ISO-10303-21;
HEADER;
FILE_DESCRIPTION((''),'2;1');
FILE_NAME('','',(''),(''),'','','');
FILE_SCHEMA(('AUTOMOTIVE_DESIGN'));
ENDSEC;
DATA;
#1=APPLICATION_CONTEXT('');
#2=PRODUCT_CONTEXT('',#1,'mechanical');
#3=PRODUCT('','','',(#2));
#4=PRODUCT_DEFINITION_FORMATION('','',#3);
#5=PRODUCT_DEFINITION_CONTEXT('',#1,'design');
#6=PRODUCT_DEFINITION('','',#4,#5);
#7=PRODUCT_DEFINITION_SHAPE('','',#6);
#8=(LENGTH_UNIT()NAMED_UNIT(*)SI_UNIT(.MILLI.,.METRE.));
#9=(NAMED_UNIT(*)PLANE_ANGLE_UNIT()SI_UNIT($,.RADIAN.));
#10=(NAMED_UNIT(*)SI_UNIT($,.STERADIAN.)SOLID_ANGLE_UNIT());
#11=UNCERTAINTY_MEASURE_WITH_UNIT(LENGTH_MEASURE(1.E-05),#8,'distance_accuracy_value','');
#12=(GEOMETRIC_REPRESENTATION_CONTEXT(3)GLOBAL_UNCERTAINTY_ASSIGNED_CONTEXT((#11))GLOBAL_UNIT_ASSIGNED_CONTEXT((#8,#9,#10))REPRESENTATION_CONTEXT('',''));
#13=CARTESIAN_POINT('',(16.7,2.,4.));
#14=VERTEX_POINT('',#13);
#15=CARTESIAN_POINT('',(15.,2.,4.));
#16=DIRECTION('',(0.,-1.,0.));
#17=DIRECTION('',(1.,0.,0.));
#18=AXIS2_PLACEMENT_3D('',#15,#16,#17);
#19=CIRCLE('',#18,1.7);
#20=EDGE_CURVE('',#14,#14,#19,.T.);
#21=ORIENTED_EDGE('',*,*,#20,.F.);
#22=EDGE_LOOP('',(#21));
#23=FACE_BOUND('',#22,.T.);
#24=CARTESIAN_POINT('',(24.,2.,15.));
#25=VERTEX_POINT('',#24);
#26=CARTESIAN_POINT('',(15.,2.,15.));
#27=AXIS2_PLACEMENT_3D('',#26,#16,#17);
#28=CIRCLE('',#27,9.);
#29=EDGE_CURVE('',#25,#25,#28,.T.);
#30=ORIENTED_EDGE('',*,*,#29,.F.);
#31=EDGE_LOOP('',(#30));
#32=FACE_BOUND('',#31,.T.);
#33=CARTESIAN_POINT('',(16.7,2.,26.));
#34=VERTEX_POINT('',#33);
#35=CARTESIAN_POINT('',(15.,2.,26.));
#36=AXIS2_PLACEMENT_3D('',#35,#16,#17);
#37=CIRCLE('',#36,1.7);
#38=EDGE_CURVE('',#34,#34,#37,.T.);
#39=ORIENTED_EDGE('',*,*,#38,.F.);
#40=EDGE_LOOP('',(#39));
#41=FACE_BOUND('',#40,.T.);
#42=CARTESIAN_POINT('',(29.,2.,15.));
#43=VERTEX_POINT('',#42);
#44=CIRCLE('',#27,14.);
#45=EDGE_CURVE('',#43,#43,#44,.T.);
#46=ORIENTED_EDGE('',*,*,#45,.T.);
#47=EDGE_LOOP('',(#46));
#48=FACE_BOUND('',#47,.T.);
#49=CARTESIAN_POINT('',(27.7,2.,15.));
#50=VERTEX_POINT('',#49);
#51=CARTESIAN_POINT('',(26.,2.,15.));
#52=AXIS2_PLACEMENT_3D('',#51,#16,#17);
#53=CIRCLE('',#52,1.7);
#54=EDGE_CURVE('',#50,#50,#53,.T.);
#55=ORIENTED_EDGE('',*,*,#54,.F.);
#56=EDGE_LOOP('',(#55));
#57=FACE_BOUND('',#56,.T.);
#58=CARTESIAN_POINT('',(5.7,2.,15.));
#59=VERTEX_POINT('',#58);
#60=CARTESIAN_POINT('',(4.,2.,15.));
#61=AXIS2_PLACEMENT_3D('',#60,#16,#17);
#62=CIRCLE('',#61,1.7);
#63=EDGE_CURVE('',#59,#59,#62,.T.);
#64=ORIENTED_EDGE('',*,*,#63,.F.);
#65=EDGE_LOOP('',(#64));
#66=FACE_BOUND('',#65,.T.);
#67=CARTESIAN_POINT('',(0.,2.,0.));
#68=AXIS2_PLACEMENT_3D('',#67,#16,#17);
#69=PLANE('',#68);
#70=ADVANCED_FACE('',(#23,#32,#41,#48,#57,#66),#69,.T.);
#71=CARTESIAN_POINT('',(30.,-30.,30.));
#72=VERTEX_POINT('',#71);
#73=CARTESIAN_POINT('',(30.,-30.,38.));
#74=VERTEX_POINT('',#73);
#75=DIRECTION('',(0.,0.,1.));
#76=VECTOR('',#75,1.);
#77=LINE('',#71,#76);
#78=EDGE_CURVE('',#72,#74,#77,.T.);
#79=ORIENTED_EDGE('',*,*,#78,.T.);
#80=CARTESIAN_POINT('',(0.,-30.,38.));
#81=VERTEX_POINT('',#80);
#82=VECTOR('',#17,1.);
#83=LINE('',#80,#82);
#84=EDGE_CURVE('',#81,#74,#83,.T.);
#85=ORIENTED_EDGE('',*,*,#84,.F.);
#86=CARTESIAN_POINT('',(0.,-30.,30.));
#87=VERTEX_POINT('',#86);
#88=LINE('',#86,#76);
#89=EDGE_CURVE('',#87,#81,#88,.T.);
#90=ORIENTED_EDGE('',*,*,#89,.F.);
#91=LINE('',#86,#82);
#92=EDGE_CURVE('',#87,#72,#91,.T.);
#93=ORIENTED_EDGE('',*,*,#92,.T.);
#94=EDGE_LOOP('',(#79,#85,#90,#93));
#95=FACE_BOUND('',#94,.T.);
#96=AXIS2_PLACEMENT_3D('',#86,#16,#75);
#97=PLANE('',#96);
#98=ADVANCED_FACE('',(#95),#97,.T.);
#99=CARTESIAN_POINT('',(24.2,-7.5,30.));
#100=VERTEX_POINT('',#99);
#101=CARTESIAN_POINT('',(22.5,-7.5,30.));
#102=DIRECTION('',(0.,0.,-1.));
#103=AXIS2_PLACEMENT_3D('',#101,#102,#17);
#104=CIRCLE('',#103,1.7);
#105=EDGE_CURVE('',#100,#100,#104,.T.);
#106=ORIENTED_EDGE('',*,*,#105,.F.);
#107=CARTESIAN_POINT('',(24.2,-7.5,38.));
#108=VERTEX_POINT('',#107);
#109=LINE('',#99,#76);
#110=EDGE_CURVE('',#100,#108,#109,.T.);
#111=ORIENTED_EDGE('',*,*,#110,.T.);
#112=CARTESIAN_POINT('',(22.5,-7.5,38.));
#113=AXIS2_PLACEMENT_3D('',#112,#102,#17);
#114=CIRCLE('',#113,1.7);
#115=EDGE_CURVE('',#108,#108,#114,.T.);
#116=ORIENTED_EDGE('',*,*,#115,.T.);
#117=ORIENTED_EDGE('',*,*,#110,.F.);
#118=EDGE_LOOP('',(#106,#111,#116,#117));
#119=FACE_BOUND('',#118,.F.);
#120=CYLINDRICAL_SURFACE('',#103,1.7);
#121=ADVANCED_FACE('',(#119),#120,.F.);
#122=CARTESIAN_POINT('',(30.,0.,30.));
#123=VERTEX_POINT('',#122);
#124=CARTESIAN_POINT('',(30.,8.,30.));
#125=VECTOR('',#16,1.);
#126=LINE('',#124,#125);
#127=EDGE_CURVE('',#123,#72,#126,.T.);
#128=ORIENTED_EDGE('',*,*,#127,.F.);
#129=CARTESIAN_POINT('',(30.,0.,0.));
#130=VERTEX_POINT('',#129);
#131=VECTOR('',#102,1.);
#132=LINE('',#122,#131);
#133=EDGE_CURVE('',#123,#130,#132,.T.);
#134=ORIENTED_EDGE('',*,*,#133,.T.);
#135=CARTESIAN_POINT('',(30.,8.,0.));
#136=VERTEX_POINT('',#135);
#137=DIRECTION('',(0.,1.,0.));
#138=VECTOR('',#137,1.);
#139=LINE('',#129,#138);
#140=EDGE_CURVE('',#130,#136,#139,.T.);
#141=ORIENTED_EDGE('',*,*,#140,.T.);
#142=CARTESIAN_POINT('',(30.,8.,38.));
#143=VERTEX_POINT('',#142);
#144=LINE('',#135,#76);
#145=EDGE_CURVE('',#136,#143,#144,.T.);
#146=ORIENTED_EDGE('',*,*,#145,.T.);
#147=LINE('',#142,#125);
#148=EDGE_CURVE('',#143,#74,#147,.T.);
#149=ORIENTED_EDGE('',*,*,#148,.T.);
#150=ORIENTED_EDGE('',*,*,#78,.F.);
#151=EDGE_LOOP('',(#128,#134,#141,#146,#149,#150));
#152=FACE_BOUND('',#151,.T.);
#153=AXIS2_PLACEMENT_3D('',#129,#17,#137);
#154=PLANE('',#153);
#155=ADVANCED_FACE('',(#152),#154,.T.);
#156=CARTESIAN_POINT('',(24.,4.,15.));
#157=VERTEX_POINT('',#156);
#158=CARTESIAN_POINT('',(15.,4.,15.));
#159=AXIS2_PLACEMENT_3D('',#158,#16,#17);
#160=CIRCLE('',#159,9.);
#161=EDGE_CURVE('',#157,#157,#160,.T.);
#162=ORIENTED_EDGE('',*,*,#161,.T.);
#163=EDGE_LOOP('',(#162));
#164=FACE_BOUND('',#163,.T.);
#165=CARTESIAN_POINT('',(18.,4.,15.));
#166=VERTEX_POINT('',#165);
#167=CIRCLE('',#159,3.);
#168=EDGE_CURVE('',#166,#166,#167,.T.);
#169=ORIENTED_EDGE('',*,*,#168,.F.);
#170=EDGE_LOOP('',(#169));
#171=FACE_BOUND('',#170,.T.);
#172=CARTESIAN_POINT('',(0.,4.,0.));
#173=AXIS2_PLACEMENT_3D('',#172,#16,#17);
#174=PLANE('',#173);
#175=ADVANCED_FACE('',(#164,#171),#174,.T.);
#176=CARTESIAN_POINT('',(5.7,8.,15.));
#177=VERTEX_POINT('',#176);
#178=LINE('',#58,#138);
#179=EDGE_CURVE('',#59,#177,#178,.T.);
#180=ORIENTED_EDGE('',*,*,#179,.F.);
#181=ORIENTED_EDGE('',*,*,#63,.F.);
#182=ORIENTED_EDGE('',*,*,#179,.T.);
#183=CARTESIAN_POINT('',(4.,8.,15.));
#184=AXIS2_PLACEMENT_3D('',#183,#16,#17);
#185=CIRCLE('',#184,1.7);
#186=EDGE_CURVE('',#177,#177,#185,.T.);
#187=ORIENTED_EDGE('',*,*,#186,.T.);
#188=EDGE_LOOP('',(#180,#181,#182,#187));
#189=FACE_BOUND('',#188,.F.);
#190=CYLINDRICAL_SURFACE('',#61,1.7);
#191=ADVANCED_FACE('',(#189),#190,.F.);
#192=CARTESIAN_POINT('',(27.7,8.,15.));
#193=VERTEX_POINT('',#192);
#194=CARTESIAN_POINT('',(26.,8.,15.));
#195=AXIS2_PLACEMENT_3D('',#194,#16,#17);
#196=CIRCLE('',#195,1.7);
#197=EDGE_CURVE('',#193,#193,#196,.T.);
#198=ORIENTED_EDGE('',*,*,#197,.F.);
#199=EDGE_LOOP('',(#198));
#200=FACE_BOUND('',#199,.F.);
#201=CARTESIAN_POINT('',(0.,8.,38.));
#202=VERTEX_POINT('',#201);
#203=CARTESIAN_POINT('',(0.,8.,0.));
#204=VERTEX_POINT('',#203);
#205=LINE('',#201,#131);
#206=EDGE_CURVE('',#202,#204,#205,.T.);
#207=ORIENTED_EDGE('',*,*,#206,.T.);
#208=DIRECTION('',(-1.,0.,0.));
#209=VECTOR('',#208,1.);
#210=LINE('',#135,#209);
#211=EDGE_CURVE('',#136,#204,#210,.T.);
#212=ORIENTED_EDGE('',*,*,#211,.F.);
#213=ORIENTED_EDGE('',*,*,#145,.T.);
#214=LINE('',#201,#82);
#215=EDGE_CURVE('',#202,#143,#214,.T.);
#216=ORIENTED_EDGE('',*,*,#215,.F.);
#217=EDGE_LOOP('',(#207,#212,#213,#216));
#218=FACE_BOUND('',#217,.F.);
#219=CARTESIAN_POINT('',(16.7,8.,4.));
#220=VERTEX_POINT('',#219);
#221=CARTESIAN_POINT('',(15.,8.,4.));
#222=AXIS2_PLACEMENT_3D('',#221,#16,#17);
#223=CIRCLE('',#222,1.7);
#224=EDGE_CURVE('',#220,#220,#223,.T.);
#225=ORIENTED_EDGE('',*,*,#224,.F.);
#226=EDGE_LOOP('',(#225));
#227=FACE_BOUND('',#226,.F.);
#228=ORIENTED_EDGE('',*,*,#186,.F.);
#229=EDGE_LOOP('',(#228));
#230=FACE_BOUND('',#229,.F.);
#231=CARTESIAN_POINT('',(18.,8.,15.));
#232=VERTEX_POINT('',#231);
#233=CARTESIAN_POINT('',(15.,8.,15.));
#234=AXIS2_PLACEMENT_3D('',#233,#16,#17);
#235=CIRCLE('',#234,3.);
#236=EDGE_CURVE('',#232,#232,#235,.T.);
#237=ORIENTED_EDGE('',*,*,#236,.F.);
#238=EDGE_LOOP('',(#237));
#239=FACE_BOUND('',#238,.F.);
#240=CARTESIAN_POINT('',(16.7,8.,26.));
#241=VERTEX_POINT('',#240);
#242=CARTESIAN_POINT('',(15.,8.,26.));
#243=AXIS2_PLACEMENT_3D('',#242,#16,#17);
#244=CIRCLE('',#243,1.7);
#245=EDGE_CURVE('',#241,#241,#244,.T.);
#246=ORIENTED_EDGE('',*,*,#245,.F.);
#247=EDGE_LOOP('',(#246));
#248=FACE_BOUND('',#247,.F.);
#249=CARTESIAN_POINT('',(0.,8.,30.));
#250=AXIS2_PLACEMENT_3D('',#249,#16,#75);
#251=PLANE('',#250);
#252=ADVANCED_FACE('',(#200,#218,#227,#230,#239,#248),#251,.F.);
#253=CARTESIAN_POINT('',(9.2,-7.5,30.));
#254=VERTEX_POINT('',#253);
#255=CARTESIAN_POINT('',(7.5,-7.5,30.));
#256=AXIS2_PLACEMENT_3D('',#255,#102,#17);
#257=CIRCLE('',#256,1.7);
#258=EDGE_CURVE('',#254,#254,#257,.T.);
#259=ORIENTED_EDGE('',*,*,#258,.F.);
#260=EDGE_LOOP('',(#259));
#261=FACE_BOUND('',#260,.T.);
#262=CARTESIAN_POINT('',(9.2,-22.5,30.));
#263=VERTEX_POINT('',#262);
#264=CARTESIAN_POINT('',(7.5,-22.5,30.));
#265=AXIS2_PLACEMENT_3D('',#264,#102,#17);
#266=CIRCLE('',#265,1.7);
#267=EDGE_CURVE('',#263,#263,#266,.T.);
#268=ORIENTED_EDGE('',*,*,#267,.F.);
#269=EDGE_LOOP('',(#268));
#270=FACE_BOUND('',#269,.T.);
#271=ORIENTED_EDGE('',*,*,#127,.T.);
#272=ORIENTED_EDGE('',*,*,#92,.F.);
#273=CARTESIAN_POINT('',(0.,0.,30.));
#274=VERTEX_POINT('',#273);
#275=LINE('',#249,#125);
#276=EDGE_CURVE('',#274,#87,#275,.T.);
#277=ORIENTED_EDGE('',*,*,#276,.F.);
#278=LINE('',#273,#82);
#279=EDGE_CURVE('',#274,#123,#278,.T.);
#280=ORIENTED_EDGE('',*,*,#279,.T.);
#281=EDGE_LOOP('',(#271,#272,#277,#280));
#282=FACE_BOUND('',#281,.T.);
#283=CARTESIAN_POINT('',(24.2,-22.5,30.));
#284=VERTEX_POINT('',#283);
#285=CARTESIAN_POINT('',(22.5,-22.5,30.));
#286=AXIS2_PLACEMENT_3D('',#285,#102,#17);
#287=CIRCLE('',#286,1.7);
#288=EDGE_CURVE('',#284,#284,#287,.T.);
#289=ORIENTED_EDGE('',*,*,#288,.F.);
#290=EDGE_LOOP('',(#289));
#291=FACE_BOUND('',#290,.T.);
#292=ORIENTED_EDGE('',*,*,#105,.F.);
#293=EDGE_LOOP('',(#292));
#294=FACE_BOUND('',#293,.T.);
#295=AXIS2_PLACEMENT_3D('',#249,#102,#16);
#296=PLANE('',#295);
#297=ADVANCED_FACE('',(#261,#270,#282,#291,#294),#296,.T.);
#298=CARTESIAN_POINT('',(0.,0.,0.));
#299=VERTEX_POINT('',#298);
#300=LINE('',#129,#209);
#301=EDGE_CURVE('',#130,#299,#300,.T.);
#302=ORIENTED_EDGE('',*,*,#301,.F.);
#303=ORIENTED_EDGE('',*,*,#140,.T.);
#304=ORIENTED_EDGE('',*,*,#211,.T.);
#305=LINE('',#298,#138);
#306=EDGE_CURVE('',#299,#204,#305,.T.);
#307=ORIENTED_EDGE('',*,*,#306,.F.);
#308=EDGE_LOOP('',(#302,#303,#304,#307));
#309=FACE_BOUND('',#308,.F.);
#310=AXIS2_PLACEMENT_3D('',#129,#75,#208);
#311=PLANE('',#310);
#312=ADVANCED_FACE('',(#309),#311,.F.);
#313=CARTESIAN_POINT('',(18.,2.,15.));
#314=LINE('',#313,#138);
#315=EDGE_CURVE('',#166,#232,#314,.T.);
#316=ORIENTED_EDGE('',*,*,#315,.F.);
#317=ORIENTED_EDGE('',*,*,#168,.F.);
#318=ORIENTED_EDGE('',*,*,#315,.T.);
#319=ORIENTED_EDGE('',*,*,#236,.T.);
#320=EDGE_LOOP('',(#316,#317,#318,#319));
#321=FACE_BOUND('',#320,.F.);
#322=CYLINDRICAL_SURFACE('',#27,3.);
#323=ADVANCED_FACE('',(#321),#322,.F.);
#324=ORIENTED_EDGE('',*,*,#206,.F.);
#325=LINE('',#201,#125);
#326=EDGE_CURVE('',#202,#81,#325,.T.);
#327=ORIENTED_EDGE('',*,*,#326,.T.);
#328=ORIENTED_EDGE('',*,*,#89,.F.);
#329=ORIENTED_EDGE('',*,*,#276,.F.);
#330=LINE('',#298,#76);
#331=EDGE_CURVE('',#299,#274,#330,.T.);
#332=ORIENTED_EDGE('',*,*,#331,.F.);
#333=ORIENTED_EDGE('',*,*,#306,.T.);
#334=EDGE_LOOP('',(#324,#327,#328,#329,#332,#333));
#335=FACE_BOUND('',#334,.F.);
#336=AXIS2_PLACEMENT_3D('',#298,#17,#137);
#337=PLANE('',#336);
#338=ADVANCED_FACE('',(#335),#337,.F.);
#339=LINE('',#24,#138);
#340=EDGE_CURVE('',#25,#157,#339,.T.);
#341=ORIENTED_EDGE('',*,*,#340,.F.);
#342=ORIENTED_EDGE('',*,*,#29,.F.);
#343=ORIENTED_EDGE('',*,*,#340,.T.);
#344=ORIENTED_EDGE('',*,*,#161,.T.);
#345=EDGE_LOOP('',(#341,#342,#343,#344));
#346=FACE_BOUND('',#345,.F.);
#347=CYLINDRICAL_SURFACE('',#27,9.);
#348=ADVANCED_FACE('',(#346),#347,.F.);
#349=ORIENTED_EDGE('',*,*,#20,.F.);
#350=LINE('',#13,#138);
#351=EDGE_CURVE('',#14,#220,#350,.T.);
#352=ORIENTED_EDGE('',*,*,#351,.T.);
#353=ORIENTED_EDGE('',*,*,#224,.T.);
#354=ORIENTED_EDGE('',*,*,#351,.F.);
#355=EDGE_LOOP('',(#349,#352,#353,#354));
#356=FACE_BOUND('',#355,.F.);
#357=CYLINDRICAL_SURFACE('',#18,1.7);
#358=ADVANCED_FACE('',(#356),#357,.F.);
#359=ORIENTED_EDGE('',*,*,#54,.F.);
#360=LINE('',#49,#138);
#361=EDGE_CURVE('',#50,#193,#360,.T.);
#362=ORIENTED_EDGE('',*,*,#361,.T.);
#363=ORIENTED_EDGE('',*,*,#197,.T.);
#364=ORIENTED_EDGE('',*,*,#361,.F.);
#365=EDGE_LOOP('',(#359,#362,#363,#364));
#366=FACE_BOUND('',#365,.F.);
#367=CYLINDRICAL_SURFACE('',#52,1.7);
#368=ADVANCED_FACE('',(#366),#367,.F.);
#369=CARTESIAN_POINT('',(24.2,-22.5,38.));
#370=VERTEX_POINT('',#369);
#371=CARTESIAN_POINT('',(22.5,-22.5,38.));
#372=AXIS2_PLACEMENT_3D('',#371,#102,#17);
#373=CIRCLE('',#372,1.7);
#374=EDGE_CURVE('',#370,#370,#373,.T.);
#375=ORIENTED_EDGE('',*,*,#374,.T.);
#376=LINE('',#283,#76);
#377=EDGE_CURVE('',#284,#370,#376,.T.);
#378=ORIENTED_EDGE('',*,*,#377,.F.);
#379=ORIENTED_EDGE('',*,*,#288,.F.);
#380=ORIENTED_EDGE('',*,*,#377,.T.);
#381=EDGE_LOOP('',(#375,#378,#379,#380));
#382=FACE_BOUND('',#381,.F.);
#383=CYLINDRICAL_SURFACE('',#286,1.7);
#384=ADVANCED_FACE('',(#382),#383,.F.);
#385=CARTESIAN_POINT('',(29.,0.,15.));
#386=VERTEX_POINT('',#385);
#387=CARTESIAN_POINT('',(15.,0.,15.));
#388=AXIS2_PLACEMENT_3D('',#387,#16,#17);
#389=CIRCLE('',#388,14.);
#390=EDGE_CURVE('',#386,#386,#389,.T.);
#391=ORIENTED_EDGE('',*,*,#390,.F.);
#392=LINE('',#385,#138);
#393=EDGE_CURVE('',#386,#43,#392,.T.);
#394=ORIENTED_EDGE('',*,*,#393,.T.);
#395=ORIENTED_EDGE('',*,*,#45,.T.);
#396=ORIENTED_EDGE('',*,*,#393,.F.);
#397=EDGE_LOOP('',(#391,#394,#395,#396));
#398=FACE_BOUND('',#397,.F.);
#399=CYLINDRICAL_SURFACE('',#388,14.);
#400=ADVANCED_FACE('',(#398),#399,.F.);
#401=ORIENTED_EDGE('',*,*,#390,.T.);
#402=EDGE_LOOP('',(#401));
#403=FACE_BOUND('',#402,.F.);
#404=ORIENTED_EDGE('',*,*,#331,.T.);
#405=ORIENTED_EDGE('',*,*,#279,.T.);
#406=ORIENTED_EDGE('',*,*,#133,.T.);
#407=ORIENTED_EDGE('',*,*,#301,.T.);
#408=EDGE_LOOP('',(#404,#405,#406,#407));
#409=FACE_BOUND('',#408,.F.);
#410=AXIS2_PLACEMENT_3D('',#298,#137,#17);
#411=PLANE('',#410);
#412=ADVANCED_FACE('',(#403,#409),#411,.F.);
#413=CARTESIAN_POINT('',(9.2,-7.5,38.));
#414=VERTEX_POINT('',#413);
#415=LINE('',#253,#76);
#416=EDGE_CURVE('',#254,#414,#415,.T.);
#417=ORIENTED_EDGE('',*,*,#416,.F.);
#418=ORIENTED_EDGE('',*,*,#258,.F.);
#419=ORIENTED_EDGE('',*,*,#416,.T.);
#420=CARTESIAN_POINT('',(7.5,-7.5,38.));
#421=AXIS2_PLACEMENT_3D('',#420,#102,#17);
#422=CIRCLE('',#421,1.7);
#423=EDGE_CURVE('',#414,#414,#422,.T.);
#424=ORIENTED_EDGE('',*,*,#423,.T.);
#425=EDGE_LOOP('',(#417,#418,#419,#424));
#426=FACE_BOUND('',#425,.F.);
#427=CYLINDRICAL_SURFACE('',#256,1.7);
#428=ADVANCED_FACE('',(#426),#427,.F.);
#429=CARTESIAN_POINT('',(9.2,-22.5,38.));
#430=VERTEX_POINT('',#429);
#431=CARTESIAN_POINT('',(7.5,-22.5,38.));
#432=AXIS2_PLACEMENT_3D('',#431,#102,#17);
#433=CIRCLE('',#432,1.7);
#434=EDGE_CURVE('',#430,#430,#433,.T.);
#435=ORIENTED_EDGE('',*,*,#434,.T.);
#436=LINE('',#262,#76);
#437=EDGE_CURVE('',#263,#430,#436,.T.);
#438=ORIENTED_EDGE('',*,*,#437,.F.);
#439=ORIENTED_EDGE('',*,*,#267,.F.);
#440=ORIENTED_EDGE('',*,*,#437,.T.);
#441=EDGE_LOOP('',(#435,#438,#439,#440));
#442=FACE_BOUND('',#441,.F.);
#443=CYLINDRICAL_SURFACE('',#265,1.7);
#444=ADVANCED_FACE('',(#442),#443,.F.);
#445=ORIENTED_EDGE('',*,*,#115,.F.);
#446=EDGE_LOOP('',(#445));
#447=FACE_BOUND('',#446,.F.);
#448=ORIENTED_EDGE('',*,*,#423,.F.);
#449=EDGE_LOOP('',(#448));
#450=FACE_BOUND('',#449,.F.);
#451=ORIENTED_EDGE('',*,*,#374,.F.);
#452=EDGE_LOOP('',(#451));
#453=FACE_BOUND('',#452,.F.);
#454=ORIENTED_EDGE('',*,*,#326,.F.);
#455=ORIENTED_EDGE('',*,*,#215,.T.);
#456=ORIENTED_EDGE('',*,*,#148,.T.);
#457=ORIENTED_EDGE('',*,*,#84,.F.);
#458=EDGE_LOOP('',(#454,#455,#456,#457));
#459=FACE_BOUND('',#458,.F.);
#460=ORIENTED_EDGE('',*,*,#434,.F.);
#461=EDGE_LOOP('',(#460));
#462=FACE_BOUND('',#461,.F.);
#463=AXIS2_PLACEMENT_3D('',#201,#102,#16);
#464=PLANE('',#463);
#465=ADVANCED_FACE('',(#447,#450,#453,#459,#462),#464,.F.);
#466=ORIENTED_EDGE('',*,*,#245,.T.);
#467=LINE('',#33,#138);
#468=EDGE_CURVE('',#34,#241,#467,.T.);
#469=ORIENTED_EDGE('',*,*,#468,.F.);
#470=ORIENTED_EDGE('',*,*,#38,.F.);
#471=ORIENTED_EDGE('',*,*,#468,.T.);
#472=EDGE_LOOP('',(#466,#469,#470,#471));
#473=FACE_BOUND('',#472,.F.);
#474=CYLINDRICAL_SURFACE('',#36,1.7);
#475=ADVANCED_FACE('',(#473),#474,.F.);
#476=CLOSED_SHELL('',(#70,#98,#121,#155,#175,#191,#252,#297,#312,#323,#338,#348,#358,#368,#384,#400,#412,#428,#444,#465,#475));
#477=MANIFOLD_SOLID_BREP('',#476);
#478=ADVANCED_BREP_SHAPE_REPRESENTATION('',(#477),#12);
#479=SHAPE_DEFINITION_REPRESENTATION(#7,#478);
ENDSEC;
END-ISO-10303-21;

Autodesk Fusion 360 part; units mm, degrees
sketch "Sketch1" plane through (0, 0, 0) normal (0, 1, 0) x (1, 0, 0)
  line L0 (0, 0) -> (0, -30)
  line L1 (0, -30) -> (30, -30)
  line L2 (30, -30) -> (30, 0)
  line L3 (30, 0) -> (0, 0)
  dimension "d1" = 30
  dimension "d2" = 30
extrude "Extrude1" add sketch "Sketch1" along normal blind 8
sketch "Sketch2" plane through (0, 0, 0) normal (0, -1, 0) x (1, 0, 0)
  line L0 (0, 0) -> (30, 0)
  line L1 (30, 0) -> (30, 30)
  line L2 (30, 30) -> (0, 30)
  line L3 (0, 30) -> (0, 0)
  circle A0 centre (15, 15) radius 14
  dimension "d5" = 28
extrude "Extrude2" cut sketch "Sketch2" along normal blind 2 and the other way blind 2 contours A0
sketch "Sketch4" plane through (0, 2, 0) normal (0, -1, 0) x (1, 0, 0)
  circle A0 centre (15, 15) radius 3
  dimension "d10" = 6
extrude "Extrude3" cut sketch "Sketch4" against normal blind 6
sketch "Sketch7" plane through (0, 0, 0) normal (1, 0, 0) x (0, 1, 0)
  line L0 (8, 30) -> (8, 38)
  line L1 (8, 38) -> (-30, 38)
  line L2 (8, 30) -> (-30, 30)
  line L3 (-30, 30) -> (-30, 38)
  dimension "d40" = 8
  dimension "d41" = 38
sketch "Sketch8" plane through (0, 2, 0) normal (0, -1, 0) x (1, 0, 0)
  circle A0 centre (15, 15) radius 3
  circle A1 centre (15, 15) radius 14
sketch "Sketch10" plane through (0, 2, 0) normal (0, -1, 0) x (1, 0, 0)
  circle A0 centre (15, 4) radius 1.7
  circle A1 centre (15, 26) radius 1.7
  circle A2 centre (4, 15) radius 1.7
  circle A3 centre (26, 15) radius 1.7
  dimension "d31" = 3.4
  dimension "d32" = 3.4
  dimension "d33" = 3.4
  dimension "d34" = 3.4
extrude "Extrude5" cut sketch "Sketch10" against normal blind 6
sketch "Sketch11" plane through (0, 2, 0) normal (0, -1, 0) x (1, 0, 0)
  circle A0 centre (15, 15) radius 9
  dimension "d37" = 18
extrude "Extrude6" cut sketch "Sketch11" against normal blind 2
extrude "Extrude7" add sketch "Sketch7" along normal blind 30
sketch "Sketch14" plane through (0, 0, 30) normal (0, 0, -1) x (1, 0, 0)
  line L0 (0, 0) -> (30, 0)
  line L1 (30, 0) -> (30, 30)
  line L2 (30, 30) -> (0, 30)
  line L3 (0, 30) -> (0, 0)
  circle A0 centre (7.5, 7.5) radius 1.7
  circle A1 centre (22.5, 7.5) radius 1.7
  circle A2 centre (7.5, 22.5) radius 1.7
  circle A3 centre (22.5, 22.5) radius 1.7
  dimension "d46" = 3.4
  dimension "d47" = 3.4
  dimension "d48" = 3.4
  dimension "d49" = 3.4
extrude "Extrude8" cut sketch "Sketch14" against normal blind 8 contours A0 | A1 | A2 | A3
equation "d1 = feature1Height"
equation "d2 = mountWidth"
equation "d5 = motorDC"
equation "d10 = shaftDiameter"
equation "d31 = boltClearance"
equation "d32 = boltClearance"
equation "d33 = boltClearance"
equation "d34 = boltClearance"
equation "d40 = plateThickness"
equation "d41 = feature2Length"
equation "d46 = boltClearance"
equation "d47 = boltClearance"
equation "d48 = boltClearance"
equation "d49 = boltClearance"
equation "mountWidth = 30 mm"
equation "feature1Height = 30 mm"
equation "feature2Length = 38 mm"
equation "plateThickness = 8 mm"
equation "motorBCD = 22 mm"
equation "boltClearance = 3.4 mm"
equation "shaftDiameter = 6 mm"
equation "pilotDiameter = 18 mm"
equation "pilotDepth = 2 mm"
equation "wallHoleOffset = 7.5 mm"
equation "motorDC = 28 mm"
